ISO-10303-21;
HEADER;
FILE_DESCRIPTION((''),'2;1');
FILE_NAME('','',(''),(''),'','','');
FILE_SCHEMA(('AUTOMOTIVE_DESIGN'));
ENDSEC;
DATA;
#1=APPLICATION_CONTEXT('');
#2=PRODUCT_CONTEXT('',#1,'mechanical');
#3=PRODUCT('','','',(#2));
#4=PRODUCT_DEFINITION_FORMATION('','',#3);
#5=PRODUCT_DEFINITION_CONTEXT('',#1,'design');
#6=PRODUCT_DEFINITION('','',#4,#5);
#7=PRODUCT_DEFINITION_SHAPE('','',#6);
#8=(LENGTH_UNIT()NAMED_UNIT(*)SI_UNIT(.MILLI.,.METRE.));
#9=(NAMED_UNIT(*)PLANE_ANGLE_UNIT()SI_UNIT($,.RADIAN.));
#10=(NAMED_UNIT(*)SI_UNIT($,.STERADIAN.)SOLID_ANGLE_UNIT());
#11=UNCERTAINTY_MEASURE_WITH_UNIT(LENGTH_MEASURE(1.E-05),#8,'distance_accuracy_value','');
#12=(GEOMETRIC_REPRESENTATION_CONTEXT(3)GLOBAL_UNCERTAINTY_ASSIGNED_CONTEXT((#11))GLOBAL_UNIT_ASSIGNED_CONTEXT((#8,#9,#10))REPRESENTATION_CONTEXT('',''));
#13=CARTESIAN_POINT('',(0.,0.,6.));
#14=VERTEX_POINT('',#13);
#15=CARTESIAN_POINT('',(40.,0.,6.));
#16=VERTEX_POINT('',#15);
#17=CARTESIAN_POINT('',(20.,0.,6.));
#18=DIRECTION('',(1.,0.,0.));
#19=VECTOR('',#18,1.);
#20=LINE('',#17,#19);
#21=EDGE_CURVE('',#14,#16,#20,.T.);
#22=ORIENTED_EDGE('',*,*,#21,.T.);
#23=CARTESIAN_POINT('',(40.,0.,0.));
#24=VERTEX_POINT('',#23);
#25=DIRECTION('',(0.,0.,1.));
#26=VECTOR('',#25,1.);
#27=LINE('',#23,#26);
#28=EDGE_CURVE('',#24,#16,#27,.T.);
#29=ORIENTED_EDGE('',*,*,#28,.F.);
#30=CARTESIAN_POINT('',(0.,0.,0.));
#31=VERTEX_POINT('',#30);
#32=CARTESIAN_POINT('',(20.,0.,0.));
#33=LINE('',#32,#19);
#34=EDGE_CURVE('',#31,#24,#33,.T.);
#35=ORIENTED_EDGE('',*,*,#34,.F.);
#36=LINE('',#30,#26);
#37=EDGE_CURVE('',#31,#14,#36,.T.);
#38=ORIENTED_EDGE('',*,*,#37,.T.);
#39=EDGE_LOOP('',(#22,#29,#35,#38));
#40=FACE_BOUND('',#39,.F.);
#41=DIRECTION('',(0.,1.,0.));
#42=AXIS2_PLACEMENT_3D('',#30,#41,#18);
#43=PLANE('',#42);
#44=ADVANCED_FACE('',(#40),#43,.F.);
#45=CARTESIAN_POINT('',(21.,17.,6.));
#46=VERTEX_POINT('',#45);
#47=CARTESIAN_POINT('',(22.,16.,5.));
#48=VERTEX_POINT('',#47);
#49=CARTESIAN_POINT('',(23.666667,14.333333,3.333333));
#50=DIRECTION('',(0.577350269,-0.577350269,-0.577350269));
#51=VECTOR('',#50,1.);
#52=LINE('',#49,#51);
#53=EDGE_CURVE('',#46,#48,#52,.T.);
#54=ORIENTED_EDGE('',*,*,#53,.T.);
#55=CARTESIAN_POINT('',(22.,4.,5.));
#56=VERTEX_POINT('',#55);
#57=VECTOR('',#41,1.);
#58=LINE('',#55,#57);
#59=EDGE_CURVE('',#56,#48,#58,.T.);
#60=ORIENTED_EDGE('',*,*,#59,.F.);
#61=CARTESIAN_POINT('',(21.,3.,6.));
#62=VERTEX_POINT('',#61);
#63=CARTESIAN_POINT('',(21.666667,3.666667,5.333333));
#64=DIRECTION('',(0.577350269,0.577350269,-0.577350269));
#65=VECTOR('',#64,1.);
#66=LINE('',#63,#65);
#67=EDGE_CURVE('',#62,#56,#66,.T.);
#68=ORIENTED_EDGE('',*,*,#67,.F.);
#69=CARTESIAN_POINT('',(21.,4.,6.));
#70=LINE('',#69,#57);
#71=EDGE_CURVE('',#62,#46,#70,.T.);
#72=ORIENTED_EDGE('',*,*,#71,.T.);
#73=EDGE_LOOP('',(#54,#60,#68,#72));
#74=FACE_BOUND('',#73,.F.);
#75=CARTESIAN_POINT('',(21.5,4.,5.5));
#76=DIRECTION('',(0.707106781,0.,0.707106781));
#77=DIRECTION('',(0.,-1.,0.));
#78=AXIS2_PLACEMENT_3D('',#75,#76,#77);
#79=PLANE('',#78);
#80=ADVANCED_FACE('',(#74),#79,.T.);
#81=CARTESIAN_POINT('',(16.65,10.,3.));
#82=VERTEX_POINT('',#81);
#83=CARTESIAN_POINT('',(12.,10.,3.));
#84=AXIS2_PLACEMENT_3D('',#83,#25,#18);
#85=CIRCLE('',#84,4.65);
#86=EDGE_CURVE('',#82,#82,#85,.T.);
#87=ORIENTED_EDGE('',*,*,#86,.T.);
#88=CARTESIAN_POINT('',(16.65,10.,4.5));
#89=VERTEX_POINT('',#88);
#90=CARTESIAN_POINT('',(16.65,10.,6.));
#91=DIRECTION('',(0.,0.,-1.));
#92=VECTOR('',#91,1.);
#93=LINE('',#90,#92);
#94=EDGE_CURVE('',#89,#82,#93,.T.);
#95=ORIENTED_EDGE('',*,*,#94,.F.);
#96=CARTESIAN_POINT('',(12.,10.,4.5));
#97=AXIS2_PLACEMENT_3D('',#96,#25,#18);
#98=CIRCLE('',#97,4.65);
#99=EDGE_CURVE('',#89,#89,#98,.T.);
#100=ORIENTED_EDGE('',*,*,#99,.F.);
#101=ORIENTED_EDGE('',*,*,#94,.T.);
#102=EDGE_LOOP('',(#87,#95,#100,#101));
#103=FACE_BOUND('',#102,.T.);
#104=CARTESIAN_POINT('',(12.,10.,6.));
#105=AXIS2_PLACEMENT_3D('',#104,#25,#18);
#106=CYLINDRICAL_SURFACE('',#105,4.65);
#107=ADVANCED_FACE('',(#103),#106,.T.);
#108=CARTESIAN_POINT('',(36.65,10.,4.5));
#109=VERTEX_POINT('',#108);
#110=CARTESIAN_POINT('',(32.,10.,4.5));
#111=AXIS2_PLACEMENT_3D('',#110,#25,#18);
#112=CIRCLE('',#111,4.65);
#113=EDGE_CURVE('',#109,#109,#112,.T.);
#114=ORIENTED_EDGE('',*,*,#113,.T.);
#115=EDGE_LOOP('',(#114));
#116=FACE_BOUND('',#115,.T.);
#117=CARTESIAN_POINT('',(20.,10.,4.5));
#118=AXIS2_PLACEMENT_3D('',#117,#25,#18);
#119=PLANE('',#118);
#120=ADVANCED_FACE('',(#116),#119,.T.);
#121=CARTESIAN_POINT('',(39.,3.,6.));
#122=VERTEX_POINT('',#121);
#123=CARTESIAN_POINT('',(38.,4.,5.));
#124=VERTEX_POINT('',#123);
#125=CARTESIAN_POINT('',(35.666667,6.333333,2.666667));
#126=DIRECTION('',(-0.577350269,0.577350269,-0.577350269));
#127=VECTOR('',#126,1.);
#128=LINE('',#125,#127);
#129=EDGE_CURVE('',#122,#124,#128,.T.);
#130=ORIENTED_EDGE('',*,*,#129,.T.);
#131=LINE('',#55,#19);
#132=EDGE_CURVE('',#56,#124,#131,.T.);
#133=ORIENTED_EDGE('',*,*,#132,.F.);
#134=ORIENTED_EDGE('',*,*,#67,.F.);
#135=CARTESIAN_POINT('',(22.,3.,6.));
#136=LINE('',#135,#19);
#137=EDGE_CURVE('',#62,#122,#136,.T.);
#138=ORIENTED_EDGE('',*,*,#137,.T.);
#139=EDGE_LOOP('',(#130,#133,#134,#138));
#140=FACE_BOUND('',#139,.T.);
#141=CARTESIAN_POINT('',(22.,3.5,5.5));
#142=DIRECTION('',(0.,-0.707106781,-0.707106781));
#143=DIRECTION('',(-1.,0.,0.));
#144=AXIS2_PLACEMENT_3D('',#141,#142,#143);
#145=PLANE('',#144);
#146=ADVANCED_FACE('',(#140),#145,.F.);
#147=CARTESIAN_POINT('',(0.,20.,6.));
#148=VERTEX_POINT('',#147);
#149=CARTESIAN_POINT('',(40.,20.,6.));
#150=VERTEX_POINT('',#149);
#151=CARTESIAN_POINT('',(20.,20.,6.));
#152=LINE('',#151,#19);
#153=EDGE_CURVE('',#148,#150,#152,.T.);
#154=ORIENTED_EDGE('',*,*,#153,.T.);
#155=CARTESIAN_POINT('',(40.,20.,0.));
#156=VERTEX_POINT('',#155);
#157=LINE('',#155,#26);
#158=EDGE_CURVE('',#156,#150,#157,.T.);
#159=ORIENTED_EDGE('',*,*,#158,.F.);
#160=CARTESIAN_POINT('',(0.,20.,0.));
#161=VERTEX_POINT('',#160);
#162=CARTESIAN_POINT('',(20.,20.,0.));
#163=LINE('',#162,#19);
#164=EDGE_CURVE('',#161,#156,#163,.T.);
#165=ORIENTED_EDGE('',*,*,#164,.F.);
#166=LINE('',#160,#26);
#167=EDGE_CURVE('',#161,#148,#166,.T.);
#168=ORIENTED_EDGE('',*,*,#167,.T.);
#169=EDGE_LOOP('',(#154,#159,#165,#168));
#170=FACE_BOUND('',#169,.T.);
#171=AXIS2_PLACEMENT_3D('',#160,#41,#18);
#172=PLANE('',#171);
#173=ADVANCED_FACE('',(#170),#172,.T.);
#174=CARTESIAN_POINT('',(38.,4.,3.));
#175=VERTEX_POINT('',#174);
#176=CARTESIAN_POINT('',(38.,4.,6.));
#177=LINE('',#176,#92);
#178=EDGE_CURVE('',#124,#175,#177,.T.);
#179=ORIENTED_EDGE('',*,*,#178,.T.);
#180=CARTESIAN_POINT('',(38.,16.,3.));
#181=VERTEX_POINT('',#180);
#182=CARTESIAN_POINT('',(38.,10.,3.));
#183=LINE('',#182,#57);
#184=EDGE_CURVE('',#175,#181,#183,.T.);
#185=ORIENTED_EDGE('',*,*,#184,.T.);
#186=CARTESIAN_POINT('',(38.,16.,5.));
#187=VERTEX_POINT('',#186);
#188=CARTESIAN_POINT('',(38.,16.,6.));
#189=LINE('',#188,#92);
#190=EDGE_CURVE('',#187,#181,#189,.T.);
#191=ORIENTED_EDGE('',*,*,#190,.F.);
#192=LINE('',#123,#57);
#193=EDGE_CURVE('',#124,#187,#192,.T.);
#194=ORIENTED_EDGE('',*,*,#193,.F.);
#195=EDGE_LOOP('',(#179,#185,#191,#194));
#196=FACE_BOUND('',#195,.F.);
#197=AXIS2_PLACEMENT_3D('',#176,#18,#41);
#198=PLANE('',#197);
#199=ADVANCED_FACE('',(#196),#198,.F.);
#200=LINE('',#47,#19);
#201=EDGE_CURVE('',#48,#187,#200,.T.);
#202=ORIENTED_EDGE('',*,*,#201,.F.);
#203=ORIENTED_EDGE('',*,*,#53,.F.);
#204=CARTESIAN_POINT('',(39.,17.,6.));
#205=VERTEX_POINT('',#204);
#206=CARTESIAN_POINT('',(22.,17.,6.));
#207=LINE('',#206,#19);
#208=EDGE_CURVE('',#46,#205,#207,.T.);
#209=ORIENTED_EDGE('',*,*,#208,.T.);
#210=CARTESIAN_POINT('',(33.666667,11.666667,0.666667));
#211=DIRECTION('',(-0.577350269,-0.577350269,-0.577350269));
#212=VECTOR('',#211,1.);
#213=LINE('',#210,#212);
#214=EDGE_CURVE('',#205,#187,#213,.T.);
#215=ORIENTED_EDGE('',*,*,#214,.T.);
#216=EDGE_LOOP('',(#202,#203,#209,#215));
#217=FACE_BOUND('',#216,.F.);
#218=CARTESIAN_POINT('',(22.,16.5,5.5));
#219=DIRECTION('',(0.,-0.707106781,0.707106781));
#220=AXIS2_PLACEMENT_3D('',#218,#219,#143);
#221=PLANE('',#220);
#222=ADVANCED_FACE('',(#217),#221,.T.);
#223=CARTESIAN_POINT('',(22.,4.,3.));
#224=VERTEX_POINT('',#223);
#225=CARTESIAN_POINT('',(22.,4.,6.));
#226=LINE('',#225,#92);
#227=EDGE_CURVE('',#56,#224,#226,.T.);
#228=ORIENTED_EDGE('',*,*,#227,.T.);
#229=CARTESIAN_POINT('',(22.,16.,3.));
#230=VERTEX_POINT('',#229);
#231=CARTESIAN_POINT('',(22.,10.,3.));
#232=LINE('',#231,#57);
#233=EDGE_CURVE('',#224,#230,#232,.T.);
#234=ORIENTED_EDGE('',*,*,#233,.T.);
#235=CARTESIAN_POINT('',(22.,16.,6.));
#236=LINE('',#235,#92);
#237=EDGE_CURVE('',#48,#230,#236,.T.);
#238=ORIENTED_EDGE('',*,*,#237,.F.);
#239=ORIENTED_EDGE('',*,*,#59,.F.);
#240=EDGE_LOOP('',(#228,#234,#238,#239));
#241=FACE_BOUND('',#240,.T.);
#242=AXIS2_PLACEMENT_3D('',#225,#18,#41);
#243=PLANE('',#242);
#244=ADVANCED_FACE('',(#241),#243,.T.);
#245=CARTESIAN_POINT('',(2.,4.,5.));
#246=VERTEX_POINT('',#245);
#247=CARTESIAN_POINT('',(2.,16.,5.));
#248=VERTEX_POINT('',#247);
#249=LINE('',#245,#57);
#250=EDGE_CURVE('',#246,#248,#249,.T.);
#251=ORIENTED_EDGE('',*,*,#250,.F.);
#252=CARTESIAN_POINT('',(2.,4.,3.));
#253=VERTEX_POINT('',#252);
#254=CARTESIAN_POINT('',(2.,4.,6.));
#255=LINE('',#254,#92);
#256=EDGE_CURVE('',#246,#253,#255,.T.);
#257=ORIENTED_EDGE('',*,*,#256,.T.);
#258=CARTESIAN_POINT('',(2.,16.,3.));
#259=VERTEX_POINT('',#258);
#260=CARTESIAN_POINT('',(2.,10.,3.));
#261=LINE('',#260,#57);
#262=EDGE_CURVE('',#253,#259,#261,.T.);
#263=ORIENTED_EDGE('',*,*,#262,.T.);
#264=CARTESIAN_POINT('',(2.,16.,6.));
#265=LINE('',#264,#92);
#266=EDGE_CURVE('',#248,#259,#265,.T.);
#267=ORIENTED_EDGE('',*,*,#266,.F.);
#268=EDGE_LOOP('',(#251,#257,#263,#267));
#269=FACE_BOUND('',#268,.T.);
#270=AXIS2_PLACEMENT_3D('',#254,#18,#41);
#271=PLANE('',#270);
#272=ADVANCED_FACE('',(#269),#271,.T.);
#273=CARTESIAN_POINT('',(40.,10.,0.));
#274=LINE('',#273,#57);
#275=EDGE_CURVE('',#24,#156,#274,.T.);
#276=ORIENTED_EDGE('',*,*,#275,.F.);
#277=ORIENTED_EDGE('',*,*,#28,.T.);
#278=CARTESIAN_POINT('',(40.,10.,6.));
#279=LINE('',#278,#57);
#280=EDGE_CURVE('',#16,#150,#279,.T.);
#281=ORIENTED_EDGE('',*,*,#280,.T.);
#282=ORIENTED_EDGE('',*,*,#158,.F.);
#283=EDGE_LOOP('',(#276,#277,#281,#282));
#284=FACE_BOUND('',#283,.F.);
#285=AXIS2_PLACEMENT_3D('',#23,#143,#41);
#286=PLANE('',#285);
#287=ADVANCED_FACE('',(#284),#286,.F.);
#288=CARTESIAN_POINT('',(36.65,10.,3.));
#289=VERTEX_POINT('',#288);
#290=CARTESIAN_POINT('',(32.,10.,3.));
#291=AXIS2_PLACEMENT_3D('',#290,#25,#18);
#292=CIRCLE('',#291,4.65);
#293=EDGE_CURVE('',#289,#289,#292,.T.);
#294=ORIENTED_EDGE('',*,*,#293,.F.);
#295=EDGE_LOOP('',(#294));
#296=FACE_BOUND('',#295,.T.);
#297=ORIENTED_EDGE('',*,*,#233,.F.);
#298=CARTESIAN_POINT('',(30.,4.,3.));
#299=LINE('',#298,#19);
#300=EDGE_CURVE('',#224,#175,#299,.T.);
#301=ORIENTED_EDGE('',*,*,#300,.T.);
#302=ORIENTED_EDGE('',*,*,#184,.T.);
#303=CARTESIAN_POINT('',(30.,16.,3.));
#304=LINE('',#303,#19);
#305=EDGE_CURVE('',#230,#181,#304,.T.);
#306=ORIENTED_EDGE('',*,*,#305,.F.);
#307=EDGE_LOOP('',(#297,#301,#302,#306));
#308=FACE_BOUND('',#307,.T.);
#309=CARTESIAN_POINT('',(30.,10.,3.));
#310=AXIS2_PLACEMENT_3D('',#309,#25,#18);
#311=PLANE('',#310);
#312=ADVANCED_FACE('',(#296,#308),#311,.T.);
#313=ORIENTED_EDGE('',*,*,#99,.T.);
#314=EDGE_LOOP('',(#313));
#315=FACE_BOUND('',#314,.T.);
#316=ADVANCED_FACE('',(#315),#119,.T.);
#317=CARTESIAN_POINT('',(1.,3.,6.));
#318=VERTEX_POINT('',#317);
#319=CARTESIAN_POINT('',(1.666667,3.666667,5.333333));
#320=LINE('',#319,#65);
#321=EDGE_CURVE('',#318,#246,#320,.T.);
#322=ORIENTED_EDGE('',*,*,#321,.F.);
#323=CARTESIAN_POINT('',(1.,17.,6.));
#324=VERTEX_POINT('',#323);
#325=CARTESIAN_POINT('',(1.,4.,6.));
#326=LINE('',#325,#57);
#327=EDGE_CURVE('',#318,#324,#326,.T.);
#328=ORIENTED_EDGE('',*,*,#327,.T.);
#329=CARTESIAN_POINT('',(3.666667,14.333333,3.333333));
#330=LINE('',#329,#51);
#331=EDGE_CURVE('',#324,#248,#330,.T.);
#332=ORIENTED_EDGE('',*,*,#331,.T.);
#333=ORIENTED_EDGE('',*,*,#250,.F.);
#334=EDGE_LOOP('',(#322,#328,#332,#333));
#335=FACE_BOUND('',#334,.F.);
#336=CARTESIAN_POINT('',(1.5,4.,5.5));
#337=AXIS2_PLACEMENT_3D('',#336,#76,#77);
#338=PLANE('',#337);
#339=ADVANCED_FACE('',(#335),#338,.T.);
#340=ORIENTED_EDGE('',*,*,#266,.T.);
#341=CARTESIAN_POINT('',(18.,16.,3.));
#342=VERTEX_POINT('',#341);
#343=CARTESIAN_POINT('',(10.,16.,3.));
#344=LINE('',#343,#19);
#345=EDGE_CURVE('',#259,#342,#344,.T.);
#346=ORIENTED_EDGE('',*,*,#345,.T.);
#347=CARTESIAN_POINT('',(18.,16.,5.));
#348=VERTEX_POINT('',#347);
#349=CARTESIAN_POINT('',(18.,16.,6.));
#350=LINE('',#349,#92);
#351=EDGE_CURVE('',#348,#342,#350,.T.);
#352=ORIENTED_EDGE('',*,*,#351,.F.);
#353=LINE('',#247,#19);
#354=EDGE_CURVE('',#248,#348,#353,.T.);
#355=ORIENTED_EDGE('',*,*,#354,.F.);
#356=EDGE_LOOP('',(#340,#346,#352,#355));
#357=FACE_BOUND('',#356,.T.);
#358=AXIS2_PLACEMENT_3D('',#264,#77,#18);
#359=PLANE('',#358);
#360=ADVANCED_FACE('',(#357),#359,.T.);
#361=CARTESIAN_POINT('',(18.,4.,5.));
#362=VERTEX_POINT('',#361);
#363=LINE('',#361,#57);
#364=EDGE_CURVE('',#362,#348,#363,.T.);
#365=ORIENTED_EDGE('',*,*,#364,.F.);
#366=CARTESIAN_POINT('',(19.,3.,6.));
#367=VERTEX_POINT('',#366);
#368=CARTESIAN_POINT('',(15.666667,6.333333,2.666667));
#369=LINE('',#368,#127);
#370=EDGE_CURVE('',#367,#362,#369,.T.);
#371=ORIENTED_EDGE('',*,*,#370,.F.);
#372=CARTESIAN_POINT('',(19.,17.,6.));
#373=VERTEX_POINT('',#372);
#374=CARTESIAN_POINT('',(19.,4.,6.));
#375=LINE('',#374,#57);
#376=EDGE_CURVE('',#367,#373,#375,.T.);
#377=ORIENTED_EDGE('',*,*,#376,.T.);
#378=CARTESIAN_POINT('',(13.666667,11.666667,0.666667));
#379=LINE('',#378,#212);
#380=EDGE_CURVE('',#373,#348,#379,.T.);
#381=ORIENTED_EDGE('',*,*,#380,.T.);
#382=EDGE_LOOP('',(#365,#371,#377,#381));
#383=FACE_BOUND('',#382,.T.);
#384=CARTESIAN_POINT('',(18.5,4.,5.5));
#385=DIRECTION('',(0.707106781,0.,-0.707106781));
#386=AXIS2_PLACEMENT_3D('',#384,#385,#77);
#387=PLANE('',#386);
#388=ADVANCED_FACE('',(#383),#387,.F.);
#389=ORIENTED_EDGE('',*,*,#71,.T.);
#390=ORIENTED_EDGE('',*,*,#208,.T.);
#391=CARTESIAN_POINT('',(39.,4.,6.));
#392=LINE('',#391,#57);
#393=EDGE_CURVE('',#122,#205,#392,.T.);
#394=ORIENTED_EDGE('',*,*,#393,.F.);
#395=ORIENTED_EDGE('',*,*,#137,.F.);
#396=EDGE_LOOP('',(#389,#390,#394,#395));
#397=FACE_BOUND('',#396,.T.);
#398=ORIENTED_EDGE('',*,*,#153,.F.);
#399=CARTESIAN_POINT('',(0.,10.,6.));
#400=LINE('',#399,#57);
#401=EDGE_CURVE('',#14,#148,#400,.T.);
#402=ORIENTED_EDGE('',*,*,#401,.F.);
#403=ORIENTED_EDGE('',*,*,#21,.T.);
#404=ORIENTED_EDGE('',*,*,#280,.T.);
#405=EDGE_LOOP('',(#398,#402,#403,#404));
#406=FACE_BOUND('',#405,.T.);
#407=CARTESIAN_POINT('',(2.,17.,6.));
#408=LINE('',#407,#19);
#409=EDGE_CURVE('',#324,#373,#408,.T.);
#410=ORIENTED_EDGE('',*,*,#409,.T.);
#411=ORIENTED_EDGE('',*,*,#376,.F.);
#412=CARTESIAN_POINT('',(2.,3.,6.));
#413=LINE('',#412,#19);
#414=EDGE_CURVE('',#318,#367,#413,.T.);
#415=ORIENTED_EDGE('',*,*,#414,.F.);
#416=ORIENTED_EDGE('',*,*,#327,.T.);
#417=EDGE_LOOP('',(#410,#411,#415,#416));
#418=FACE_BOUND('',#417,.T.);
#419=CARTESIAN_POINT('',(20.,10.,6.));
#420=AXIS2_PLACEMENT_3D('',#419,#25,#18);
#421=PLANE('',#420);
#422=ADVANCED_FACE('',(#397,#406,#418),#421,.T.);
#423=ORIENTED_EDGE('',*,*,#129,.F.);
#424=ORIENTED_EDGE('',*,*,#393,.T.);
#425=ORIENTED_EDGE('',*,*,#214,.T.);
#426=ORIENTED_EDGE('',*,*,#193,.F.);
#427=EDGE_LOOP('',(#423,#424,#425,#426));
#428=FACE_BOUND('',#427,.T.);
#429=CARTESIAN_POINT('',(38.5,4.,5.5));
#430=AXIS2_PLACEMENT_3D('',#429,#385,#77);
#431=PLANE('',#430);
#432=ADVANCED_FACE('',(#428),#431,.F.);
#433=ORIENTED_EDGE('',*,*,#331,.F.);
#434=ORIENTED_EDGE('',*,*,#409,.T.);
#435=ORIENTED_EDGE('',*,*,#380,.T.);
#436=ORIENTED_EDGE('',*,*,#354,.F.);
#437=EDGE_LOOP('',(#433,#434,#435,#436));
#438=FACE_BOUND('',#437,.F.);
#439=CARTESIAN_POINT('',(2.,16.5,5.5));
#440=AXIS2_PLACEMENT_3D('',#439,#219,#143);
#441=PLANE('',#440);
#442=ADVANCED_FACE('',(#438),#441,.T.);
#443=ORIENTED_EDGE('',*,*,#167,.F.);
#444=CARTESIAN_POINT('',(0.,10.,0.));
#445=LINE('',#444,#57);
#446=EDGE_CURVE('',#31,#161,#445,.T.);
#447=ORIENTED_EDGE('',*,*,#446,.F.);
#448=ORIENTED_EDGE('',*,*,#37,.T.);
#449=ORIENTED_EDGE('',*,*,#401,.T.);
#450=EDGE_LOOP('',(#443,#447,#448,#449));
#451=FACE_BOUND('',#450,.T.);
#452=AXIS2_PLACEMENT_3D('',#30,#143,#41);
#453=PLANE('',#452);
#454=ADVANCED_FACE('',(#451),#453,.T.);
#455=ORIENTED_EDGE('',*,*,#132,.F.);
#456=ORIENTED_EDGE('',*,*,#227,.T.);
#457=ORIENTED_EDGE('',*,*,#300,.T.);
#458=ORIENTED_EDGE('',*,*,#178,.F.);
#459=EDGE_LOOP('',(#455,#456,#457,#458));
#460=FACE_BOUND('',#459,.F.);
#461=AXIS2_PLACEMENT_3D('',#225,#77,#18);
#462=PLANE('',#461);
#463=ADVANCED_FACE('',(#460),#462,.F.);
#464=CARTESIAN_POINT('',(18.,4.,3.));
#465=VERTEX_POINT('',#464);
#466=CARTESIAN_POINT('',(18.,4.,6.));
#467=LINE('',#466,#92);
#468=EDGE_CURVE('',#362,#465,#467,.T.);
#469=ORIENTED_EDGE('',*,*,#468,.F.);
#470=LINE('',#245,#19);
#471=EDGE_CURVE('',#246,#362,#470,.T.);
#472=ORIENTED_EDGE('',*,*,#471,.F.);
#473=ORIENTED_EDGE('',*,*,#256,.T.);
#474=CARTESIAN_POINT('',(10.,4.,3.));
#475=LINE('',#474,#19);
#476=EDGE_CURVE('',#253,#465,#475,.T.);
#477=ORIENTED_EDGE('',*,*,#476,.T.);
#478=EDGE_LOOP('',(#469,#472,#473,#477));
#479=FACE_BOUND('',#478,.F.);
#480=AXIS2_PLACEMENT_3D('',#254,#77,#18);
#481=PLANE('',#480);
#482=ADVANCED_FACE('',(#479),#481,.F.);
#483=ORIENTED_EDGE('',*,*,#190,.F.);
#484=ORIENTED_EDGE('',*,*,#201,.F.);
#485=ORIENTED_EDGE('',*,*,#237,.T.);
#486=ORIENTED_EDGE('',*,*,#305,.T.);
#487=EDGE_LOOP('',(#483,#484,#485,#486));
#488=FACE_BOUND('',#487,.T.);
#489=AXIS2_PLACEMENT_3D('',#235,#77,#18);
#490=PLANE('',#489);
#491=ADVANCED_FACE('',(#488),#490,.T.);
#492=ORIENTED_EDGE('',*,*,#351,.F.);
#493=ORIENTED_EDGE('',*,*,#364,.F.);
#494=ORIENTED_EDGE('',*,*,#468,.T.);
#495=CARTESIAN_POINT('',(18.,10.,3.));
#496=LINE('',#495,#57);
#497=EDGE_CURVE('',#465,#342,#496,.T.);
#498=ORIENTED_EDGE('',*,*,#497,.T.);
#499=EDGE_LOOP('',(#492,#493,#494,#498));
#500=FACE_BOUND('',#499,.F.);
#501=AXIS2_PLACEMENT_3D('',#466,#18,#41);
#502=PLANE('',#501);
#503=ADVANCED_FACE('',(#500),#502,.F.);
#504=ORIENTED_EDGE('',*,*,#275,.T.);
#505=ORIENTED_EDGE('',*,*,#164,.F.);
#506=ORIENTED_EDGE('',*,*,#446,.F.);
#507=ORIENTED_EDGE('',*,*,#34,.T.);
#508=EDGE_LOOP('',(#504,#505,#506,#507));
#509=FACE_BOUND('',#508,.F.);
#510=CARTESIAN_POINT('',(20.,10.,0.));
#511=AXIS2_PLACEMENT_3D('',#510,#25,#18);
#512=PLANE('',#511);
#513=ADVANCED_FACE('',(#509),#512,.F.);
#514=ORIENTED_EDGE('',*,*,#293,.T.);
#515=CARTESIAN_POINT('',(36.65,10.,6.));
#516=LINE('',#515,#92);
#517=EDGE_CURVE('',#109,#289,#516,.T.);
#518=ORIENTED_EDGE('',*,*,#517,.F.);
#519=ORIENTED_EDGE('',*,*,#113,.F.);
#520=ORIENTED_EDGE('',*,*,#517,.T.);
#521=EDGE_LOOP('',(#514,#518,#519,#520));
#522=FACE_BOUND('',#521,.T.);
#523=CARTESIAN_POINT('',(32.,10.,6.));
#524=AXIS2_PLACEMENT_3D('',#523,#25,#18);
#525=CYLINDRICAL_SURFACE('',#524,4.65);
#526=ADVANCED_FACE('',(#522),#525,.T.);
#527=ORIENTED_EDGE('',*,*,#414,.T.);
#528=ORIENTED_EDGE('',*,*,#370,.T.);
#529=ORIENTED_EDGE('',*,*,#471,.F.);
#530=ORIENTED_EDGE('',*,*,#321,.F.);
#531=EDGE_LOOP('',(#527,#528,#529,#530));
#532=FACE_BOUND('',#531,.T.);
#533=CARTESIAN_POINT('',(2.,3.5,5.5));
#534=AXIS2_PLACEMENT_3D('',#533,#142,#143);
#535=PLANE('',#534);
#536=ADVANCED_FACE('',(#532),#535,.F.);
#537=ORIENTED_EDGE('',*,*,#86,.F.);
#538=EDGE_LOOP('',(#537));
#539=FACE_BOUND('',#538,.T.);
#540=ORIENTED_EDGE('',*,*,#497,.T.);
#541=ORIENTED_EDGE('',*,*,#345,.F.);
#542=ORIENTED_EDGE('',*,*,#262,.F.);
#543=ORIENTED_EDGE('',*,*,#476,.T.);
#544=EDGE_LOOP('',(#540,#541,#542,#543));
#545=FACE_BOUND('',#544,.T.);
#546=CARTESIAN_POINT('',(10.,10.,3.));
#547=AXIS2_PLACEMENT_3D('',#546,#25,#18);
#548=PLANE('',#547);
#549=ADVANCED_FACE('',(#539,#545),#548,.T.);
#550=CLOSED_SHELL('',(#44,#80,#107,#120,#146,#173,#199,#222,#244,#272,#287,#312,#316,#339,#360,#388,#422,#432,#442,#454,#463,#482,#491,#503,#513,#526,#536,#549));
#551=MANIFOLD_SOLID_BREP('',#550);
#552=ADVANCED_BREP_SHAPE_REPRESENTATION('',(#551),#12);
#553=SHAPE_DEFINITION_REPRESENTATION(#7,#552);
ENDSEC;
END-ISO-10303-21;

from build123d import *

# Parameters (mm, degrees)
F0_W     = 40
F0_H     = 20
F1_DEPTH = 6
F2_W     = 16
F2_H     = 12
F2_R     = 4.65
F3_DEPTH = 3
F4_DEPTH = 1.5
F5_SIZE  = 1


with BuildPart() as f1:
    # F0 (on Top) → F1 (new body)
    with BuildSketch(Plane.XY):
        with Locations((20, 10)):
            Rectangle(F0_W, F0_H)
    extrude(amount=F1_DEPTH)

    # F2 (on face) → F3 (cut)
    with BuildSketch(Plane.XY.offset(6)):
        with Locations((10, 10)):
            Rectangle(F2_W, F2_H)
        with Locations((12, 10)):
            Circle(F2_R, mode=Mode.SUBTRACT)
        with Locations((30, 10)):
            Rectangle(F2_W, F2_H)
        with Locations((32, 10)):
            Circle(F2_R, mode=Mode.SUBTRACT)
    extrude(amount=-F3_DEPTH, mode=Mode.SUBTRACT)

    # F4 (cut): faces of the model
    f4_faces = [f1.faces().sort_by_distance(p)[0] for p in [
        (12, 10, 6),
        (32, 10, 6),
    ]]
    extrude(f4_faces, amount=-F4_DEPTH, mode=Mode.SUBTRACT)

    # F5
    f5_edges = [f1.edges().sort_by_distance(p)[0] for p in [
        (10, 16, 6),
        (18, 10, 6),
        (10, 4, 6),
        (2, 10, 6),
        (22, 10, 6),
        (30, 16, 6),
        (38, 10, 6),
        (30, 4, 6),
    ]]
    chamfer(f5_edges, length=F5_SIZE)


solid = f1.part
